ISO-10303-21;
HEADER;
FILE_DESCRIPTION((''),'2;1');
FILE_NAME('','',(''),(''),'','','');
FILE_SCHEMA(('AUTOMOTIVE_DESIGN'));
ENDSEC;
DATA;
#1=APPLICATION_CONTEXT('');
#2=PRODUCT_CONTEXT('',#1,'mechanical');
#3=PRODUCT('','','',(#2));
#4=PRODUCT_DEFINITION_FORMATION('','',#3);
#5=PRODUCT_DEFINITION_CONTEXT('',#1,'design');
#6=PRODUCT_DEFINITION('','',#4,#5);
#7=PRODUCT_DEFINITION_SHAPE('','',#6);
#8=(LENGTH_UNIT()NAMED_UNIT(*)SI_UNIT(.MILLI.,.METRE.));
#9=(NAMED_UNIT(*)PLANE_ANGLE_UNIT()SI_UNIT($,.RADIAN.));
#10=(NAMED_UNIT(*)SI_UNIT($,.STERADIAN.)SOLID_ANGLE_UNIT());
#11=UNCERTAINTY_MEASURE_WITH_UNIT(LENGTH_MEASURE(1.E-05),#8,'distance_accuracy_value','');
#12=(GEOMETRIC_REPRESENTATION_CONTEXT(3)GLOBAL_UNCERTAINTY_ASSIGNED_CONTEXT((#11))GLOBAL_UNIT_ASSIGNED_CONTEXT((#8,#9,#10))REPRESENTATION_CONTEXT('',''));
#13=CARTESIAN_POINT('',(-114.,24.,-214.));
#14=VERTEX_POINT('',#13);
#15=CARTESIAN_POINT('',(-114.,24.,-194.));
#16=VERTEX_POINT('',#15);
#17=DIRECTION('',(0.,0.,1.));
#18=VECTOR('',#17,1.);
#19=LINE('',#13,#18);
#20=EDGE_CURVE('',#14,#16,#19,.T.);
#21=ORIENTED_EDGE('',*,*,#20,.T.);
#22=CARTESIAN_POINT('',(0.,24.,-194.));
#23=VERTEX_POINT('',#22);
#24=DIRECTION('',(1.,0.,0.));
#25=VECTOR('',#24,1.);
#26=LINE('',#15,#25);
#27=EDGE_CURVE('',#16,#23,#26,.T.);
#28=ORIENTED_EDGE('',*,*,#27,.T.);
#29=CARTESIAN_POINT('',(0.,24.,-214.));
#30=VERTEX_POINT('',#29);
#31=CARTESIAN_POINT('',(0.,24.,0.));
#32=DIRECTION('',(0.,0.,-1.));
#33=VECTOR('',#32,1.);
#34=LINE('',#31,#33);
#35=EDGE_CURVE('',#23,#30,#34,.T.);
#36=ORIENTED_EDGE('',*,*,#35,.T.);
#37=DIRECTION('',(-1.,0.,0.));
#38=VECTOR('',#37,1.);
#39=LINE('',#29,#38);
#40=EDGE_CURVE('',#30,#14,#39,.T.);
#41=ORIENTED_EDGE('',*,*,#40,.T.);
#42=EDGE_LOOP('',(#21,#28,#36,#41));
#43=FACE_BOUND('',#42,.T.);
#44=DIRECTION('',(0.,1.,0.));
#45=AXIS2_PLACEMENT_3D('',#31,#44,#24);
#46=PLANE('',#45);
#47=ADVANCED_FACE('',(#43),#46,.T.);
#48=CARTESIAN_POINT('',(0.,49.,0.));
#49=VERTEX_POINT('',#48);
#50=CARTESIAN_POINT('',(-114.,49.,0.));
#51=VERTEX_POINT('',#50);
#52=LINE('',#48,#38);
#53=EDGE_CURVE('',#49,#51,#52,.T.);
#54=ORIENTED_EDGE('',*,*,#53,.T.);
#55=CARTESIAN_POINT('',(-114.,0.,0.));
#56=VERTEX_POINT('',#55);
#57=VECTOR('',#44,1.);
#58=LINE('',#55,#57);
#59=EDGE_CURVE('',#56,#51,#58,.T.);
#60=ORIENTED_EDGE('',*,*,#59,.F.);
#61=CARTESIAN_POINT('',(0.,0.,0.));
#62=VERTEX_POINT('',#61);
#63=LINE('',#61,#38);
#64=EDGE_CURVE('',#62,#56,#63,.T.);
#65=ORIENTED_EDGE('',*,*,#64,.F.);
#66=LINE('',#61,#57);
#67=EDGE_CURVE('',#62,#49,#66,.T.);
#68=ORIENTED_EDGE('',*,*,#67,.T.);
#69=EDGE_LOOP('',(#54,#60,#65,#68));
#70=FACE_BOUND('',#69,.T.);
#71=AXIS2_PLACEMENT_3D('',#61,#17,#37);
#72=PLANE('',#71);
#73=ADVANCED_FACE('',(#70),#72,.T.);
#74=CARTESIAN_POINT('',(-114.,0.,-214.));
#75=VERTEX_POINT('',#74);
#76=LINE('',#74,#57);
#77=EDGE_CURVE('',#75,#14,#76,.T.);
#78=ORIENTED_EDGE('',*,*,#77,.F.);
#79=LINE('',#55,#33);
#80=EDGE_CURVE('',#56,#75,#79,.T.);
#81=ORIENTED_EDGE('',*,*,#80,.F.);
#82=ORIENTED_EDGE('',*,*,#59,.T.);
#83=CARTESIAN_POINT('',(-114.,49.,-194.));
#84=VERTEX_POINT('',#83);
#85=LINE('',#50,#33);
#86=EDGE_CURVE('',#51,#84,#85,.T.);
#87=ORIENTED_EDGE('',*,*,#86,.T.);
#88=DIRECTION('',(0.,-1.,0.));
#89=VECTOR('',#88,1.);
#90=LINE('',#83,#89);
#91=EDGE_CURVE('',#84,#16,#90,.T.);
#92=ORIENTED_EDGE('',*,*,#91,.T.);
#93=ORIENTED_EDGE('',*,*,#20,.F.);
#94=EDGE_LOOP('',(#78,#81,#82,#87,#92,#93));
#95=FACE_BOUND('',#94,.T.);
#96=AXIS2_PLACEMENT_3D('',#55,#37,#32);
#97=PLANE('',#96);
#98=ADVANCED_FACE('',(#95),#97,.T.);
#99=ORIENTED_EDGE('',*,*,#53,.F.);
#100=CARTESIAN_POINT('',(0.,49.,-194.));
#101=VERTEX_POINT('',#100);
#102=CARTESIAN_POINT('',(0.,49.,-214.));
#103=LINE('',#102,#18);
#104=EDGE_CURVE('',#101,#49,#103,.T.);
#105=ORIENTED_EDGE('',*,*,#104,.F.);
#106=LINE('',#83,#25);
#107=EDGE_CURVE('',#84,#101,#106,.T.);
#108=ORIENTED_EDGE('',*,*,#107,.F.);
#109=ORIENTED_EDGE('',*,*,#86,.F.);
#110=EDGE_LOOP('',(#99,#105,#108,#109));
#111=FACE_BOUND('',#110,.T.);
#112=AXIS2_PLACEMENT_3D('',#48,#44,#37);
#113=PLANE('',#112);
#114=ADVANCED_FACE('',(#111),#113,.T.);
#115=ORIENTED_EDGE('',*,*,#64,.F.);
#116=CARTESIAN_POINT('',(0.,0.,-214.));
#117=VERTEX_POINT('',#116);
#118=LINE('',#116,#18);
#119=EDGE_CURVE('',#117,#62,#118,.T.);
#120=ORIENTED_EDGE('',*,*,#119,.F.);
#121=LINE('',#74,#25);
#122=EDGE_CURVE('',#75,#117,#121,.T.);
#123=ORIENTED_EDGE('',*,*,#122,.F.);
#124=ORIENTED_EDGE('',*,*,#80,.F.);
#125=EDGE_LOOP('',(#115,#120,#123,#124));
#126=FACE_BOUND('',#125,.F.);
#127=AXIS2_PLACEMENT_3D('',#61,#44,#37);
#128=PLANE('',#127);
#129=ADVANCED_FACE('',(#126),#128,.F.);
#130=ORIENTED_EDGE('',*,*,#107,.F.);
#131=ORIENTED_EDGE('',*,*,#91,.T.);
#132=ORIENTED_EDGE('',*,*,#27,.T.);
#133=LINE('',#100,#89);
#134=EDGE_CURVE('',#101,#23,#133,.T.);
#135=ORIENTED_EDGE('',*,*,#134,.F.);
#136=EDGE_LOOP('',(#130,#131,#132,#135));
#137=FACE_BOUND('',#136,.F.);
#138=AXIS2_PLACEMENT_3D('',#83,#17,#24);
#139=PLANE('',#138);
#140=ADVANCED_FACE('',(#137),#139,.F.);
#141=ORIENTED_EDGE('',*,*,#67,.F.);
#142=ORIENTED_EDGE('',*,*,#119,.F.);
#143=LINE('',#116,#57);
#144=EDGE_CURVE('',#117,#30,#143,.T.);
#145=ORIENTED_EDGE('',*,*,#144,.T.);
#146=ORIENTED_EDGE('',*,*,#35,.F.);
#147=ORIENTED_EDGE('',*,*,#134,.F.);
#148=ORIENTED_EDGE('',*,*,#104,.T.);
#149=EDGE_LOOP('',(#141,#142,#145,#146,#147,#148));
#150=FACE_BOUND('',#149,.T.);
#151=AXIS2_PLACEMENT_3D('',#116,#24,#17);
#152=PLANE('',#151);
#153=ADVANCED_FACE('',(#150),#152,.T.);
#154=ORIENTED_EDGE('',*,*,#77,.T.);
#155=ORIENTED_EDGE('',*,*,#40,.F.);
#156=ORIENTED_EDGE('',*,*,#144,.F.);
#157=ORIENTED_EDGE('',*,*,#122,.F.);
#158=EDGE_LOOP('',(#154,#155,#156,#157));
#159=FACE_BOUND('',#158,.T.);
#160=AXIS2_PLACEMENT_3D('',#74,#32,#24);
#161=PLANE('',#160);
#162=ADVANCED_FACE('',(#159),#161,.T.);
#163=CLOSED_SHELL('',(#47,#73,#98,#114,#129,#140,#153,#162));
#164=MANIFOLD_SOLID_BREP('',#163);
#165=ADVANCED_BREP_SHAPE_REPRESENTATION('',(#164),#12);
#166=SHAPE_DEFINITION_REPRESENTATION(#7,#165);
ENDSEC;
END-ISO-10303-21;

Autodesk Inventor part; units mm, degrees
ref_plane "YZ Plane" through (0, 0, 0) normal (1, 0, 0) x (0, 1, 0)
ref_plane "XZ Plane" through (0, 0, 0) normal (0, 1, 0) x (-1, 0, 0)
ref_plane "XY Plane" through (0, 0, 0) normal (0, 0, 1) x (1, 0, 0)
sketch "Эскиз1" plane through (0, 0, 0) normal (0, 1, 0) x (-1, 0, 0)
  line L0 (0, 0) -> (114, 0)
  line L1 (114, 0) -> (114, -214)
  line L2 (114, -214) -> (0, -214)
  line L3 (0, -214) -> (0, 0)
  dimension "d0" = 114
  dimension "d1" = 214
extrude "Выдавливание1" add sketch "Эскиз1" along normal blind 49
sketch "Эскиз2" plane through (0, 49, 0) normal (0, 1, 0) x (1, 0, 0)
  line L0 (0, 0) -> (0, 214) projected
  line L1 (-114, 214) -> (-114, 0) projected
  line L2 (0, 214) -> (-114, 214)
  line L3 (-114, 214) -> (-114, 194)
  line L4 (-114, 194) -> (0, 194)
  line L5 (0, 194) -> (0, 214)
  dimension "d4" = 20
extrude "Выдавливание2" cut sketch "Эскиз2" against normal blind 25
properties part number "PowerSupply"
